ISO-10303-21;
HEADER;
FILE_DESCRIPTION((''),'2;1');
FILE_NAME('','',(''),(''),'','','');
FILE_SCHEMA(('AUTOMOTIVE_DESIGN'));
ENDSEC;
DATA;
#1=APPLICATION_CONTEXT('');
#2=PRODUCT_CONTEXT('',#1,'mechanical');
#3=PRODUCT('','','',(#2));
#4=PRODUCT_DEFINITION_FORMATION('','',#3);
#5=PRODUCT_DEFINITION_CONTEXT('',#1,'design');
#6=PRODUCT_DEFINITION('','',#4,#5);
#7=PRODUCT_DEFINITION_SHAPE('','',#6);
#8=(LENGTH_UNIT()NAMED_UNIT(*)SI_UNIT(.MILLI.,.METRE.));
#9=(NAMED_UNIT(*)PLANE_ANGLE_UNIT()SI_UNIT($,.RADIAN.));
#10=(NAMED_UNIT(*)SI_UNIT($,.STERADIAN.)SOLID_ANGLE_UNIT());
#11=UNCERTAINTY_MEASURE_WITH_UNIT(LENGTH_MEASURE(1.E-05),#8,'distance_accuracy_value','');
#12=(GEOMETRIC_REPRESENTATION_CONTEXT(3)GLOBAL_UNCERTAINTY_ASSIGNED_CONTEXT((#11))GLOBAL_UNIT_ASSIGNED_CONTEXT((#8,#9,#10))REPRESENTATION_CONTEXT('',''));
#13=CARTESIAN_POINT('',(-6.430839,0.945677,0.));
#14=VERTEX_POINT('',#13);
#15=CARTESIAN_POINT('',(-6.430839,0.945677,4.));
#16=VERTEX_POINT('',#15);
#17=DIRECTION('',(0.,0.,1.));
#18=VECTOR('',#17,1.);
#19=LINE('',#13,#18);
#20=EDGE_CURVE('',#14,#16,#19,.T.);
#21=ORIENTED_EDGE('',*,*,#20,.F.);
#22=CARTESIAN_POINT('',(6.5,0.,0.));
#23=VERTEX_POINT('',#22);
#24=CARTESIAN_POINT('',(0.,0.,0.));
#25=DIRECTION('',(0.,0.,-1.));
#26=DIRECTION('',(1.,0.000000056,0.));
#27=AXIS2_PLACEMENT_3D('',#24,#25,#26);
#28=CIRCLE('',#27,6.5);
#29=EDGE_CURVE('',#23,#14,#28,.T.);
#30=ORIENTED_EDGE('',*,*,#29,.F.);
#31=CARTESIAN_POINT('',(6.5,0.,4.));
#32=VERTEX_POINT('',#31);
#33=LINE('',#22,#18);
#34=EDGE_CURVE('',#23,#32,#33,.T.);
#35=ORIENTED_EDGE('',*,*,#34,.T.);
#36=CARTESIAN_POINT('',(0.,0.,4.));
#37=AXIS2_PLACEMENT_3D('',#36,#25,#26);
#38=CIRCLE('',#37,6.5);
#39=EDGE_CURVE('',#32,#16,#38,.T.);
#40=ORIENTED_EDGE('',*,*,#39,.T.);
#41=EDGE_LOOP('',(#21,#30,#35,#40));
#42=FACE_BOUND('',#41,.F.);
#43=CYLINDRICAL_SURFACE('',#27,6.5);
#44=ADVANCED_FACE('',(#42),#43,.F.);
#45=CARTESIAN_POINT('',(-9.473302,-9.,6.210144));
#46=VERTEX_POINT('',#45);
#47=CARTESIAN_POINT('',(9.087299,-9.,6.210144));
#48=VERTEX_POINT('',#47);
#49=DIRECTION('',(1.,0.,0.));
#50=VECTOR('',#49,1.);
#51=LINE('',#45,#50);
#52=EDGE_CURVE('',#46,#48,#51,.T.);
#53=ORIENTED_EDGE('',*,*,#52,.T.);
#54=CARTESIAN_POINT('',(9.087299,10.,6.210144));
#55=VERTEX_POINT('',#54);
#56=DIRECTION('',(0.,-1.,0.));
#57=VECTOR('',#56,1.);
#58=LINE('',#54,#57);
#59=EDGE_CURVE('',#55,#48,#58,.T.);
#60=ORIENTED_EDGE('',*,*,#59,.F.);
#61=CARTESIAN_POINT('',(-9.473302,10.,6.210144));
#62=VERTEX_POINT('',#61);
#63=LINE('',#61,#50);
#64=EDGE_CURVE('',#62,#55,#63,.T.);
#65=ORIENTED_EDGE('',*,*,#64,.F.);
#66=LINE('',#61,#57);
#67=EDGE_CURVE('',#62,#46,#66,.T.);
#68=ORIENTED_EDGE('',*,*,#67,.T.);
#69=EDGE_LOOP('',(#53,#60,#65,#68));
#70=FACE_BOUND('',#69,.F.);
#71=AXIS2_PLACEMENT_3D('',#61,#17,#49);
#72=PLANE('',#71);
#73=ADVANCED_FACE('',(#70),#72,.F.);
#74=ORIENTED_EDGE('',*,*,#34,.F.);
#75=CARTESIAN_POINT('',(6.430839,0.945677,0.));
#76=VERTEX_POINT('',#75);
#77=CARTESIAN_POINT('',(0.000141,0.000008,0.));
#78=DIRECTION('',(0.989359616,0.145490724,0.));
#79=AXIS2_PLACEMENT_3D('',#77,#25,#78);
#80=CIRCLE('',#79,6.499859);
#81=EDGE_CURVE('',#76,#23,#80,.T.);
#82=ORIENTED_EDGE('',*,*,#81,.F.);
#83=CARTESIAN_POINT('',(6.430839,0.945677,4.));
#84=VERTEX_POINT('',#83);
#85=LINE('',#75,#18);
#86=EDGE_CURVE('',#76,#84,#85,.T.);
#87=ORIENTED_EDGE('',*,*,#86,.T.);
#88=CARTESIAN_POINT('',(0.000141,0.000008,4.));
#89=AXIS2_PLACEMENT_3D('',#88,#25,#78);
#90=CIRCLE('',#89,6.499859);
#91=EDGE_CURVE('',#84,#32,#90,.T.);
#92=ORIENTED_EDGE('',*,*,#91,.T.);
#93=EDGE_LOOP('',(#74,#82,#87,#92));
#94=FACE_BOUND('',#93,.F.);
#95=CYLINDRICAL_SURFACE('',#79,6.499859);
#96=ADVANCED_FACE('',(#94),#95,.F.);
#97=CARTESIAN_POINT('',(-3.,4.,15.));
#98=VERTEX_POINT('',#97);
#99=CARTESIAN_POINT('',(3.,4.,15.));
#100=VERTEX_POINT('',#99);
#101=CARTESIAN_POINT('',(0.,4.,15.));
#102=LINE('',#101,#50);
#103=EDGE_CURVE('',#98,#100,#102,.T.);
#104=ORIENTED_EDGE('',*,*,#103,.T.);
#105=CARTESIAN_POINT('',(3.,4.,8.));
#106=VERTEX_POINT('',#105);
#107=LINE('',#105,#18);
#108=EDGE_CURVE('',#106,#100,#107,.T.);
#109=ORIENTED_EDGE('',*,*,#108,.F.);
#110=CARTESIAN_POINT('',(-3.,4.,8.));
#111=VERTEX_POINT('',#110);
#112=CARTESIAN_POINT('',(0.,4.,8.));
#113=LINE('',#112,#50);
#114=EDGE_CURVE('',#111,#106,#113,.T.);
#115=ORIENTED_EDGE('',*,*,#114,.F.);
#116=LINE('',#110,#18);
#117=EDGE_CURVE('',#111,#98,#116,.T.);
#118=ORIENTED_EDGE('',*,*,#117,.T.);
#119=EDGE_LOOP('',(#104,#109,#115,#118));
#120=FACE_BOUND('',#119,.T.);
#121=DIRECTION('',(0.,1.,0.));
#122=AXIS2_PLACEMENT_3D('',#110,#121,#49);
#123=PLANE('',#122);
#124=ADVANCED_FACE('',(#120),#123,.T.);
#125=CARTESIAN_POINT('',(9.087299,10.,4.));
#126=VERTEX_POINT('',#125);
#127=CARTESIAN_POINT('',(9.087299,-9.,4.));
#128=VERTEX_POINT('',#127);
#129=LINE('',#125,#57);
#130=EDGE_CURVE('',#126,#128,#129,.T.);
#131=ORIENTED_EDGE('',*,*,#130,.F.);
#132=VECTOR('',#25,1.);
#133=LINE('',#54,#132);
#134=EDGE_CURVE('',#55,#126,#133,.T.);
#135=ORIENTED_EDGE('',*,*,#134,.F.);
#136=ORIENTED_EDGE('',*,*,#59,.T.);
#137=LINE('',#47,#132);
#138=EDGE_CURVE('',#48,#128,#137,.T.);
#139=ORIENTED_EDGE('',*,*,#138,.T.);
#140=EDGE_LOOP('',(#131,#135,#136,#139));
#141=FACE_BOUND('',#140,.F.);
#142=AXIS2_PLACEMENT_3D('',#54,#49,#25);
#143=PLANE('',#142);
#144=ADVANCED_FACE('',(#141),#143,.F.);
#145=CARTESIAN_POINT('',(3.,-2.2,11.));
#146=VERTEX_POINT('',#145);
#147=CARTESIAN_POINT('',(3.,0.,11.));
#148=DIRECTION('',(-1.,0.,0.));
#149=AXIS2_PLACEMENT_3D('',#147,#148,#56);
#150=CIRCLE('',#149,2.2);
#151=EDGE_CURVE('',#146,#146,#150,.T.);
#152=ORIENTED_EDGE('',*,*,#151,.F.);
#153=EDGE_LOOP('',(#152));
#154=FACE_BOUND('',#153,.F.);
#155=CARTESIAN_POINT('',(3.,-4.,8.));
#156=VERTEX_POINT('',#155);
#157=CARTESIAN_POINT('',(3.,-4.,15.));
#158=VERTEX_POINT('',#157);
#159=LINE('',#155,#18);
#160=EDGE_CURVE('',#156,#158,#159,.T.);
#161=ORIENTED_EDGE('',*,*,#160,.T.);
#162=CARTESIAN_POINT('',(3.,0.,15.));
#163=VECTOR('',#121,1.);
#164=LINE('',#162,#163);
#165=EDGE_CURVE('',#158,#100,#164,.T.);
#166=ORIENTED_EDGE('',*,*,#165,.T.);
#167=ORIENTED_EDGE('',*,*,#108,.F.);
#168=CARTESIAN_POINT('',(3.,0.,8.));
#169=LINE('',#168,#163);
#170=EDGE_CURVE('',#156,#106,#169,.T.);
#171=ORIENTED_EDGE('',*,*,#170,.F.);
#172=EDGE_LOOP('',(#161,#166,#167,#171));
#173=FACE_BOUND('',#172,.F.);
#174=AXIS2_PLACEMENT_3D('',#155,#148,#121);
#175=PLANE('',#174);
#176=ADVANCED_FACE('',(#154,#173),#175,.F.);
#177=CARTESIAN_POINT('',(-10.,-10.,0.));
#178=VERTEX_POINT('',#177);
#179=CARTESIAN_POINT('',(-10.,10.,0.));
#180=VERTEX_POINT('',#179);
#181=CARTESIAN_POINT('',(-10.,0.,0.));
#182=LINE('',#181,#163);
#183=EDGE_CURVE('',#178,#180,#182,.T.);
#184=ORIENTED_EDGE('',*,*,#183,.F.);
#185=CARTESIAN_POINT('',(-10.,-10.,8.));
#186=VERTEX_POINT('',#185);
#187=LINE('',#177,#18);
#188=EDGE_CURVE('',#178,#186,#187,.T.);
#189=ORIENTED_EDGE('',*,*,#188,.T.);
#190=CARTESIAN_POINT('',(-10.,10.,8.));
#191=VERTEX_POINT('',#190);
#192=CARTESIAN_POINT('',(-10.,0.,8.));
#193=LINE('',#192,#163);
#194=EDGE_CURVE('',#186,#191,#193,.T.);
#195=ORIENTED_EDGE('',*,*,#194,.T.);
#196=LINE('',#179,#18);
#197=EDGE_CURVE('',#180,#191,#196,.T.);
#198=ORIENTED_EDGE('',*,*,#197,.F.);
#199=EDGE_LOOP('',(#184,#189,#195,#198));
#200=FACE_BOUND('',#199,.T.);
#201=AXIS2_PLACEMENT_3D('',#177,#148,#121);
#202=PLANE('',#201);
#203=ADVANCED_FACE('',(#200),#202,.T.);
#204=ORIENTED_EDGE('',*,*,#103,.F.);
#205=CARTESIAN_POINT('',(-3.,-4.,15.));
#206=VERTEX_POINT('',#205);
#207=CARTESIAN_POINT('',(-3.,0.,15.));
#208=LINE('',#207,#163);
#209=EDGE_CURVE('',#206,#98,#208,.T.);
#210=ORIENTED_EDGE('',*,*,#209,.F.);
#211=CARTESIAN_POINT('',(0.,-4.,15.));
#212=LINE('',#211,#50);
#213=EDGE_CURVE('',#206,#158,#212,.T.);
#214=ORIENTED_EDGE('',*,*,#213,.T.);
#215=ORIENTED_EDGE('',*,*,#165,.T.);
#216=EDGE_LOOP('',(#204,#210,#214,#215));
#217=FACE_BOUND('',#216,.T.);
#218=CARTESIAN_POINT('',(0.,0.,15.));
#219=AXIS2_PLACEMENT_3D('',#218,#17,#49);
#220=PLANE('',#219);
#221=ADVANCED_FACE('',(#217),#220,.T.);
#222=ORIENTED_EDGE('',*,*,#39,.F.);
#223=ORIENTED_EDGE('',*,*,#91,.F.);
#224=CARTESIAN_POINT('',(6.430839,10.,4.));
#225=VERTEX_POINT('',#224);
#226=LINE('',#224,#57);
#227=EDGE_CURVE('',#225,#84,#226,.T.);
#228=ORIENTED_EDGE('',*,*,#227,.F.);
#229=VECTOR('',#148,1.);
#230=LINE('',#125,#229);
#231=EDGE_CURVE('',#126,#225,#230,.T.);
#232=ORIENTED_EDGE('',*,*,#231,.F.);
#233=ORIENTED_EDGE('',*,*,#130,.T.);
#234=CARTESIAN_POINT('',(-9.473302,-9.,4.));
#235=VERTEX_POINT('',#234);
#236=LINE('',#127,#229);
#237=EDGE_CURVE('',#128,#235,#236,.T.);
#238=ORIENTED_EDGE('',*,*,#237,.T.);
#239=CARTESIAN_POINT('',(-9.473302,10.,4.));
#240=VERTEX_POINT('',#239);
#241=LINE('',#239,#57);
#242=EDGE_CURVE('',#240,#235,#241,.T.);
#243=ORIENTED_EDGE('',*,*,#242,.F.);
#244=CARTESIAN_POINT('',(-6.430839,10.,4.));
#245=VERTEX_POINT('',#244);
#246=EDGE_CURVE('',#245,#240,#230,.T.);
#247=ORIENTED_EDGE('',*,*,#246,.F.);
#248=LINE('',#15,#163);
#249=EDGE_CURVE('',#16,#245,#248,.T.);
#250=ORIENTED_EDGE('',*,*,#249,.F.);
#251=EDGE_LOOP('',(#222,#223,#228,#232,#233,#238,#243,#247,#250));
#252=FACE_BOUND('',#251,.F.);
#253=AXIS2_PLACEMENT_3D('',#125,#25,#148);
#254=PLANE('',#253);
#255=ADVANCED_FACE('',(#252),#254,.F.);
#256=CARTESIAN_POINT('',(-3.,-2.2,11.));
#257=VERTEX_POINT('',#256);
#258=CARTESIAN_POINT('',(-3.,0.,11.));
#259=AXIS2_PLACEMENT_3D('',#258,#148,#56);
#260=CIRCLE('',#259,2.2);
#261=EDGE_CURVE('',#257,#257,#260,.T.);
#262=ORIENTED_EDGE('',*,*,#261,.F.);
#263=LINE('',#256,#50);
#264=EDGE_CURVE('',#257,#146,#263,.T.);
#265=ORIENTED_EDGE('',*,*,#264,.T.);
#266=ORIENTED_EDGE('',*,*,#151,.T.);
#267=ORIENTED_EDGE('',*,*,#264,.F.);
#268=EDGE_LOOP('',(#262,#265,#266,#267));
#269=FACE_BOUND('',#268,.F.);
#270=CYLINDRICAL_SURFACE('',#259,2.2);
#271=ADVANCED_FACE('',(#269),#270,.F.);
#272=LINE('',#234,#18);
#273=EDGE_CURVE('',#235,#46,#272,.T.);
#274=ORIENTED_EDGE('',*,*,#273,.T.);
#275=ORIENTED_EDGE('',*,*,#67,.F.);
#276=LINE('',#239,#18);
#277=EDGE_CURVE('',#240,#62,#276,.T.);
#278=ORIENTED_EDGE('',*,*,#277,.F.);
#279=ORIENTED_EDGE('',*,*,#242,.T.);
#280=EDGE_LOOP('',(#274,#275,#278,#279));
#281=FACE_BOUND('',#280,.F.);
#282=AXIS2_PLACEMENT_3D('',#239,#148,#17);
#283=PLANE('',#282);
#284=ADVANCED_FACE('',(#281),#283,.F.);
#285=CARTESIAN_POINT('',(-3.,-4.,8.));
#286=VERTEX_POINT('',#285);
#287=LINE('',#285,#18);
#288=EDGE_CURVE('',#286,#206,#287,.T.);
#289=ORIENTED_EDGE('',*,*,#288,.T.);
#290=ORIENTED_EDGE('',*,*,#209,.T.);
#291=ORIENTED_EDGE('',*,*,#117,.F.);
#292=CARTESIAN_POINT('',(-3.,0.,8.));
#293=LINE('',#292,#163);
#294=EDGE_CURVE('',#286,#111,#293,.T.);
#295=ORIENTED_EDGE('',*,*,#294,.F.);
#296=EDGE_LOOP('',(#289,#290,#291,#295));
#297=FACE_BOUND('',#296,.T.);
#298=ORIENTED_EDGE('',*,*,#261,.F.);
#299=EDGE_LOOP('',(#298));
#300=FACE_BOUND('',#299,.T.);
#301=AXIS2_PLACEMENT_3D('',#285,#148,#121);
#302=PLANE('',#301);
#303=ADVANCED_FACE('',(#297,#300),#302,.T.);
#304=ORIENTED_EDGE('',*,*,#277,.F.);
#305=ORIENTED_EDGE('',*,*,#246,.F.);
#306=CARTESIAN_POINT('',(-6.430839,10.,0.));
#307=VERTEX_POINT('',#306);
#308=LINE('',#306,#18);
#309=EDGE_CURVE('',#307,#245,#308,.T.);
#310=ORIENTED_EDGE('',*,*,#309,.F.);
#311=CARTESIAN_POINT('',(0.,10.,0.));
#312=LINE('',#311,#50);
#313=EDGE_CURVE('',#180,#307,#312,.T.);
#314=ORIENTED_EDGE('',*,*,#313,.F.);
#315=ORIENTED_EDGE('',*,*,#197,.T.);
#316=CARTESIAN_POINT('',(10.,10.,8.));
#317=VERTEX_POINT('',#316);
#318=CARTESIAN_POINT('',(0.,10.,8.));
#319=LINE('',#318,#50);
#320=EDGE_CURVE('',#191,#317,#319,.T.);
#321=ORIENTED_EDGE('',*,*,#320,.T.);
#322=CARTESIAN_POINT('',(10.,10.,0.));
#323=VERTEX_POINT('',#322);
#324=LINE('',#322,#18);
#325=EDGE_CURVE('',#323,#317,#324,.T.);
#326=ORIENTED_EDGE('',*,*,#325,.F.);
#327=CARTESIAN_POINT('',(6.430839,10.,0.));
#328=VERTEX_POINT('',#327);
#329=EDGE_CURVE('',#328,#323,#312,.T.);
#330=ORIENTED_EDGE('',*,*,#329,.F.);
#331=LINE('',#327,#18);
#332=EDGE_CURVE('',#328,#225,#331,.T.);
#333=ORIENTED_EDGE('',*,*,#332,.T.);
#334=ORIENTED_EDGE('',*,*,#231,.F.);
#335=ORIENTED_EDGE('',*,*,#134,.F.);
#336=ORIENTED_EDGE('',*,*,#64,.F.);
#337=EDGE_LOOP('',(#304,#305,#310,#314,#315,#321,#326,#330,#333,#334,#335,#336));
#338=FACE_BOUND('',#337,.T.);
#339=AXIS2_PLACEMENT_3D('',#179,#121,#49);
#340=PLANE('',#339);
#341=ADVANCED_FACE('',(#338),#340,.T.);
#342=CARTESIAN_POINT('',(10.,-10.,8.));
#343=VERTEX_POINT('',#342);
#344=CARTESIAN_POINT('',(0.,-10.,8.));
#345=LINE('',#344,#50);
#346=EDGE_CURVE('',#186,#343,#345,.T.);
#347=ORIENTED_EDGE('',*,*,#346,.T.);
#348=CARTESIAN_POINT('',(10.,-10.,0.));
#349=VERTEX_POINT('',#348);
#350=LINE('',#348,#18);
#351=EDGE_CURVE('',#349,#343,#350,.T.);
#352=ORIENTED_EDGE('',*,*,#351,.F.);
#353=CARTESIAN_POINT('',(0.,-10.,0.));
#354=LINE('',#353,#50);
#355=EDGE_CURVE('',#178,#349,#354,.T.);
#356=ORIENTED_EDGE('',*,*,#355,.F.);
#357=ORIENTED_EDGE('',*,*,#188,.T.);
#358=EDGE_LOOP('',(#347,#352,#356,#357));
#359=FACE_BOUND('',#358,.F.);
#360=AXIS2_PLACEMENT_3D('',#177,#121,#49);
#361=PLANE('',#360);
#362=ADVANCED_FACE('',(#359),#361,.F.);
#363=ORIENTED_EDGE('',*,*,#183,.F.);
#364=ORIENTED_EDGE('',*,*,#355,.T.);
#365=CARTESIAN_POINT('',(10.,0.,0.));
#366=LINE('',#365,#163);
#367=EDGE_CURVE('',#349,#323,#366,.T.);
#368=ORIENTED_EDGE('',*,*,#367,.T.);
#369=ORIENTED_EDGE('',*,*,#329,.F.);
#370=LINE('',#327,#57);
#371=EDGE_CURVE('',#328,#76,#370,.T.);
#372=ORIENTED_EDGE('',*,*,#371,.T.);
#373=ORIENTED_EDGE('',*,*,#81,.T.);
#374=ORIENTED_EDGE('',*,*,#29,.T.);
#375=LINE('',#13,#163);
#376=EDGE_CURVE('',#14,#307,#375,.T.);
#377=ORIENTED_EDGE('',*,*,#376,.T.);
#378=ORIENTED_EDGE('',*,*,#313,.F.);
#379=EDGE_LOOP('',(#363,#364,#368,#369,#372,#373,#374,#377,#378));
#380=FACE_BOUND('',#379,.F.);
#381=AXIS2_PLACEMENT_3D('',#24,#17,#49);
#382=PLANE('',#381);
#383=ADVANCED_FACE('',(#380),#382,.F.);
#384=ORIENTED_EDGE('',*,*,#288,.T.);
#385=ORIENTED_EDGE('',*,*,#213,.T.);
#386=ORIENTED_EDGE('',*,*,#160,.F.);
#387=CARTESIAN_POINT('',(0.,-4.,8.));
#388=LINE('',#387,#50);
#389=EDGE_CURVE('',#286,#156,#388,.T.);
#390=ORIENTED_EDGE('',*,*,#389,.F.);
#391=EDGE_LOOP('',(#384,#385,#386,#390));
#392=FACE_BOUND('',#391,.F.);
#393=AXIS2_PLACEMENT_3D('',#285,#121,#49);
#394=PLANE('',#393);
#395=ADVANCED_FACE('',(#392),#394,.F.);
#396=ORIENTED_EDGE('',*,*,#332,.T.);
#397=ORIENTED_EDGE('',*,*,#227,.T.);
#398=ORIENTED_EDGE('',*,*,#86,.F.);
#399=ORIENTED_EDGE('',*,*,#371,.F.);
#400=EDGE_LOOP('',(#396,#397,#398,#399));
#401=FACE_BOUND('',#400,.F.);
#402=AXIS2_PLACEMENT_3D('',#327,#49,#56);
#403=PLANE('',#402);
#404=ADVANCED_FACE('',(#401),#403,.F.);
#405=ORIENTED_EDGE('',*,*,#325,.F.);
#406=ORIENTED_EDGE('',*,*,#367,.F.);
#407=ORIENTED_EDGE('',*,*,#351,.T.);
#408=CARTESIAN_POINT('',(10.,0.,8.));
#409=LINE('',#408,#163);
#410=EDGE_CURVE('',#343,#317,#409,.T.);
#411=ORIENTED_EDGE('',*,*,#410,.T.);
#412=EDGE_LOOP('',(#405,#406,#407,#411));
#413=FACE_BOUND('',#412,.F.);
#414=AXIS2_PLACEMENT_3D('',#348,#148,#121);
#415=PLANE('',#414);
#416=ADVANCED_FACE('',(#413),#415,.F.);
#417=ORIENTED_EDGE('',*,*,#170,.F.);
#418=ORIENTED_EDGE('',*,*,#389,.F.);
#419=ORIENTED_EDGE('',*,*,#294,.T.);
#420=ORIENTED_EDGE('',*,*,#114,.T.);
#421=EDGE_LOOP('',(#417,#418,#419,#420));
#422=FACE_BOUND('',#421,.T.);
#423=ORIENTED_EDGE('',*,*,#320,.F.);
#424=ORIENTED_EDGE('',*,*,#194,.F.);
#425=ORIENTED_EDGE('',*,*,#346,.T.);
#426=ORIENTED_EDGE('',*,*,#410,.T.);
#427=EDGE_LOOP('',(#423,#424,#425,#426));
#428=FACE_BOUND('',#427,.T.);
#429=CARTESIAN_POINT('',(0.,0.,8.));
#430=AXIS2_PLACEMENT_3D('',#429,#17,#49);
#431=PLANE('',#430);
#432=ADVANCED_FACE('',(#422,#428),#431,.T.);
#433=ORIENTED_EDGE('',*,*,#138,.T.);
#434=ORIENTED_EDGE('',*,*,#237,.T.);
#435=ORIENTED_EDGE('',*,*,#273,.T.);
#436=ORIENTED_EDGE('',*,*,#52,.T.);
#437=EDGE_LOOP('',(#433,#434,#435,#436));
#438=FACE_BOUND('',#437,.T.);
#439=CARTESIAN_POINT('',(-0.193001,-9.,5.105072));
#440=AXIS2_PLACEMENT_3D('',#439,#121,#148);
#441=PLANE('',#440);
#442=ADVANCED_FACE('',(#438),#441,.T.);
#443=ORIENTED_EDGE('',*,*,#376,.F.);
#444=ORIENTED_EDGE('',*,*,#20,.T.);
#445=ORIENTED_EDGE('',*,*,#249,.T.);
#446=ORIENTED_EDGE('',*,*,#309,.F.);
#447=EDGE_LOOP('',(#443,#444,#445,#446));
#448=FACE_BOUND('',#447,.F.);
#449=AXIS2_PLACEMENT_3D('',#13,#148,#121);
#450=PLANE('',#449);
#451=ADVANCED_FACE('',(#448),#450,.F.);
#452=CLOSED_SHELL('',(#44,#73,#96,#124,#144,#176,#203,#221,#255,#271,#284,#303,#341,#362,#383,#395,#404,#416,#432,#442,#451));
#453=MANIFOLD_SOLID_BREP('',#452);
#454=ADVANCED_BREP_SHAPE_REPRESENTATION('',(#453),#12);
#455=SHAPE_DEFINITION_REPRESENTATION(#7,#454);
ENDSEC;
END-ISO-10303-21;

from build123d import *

# Parameters (mm, degrees)
F0_W     = 20
F0_H     = 20
F1_DEPTH = 8
F3_DEPTH = 4
F5_DEPTH = 19
F6_W     = 6
F6_H     = 8
F7_DEPTH = 7
F8_R     = 2.2
F9_DEPTH = 6


with BuildPart() as f1:
    # F0 (on Top) → F1 (new body)
    with BuildSketch(Plane.XY):
        Rectangle(F0_W, F0_H)
    extrude(amount=F1_DEPTH)

    # F2 (on face) → F3 (cut)
    with BuildSketch(Plane(origin=(0, 0, 0), x_dir=(1, 0, 0), z_dir=(0, 0, -1))):
        with BuildLine():
            ThreePointArc((6.430839, -0.945677), (6.482687, -0.474101), (6.5, 0))
            ThreePointArc((6.5, 0), (-0.474101, 6.482687), (-6.430839, -0.945677))
            Line((-6.430839, -0.945677), (6.430839, -0.945677))
        make_face()
        with BuildLine():
            Line((6.430839, -0.945677), (-6.430839, -0.945677))
            ThreePointArc((-6.430839, -0.945677), (0, -6.5), (6.430839, -0.945677))
        make_face()
        with BuildLine():
            ThreePointArc((6.430839, -0.945677), (0, -6.5), (-6.430839, -0.945677))
            Line((-6.430839, -0.945677), (-6.430839, -10))
            Line((-6.430839, -10), (6.430839, -10))
            Line((6.430839, -10), (6.430839, -0.945677))
        make_face()
    extrude(amount=-F3_DEPTH, mode=Mode.SUBTRACT)

    # F4 (on face) → F5 (cut)
    with BuildSketch(Plane(origin=(0, 10, 0), x_dir=(-1, 0, 0), z_dir=(0, 1, 0))):
        Polygon((6.430839, 4), (9.473302, 4), (9.473302, 6.210144), (-9.087299, 6.210144), (-9.087299, 4), (-6.430839, 4), align=None)
    extrude(amount=-F5_DEPTH, mode=Mode.SUBTRACT)

    # F6 (on face) → F7 (join)
    with BuildSketch(Plane.XY.offset(8)):
        Rectangle(F6_W, F6_H)
    extrude(amount=F7_DEPTH)

    # F8 (on face) → F9 (cut)
    with BuildSketch(Plane(origin=(-3, 0, 0), x_dir=(0, -1, 0), z_dir=(-1, 0, 0))):
        with Locations((0, 11)):
            Circle(F8_R)
    extrude(amount=-F9_DEPTH, mode=Mode.SUBTRACT)


solid = f1.part
